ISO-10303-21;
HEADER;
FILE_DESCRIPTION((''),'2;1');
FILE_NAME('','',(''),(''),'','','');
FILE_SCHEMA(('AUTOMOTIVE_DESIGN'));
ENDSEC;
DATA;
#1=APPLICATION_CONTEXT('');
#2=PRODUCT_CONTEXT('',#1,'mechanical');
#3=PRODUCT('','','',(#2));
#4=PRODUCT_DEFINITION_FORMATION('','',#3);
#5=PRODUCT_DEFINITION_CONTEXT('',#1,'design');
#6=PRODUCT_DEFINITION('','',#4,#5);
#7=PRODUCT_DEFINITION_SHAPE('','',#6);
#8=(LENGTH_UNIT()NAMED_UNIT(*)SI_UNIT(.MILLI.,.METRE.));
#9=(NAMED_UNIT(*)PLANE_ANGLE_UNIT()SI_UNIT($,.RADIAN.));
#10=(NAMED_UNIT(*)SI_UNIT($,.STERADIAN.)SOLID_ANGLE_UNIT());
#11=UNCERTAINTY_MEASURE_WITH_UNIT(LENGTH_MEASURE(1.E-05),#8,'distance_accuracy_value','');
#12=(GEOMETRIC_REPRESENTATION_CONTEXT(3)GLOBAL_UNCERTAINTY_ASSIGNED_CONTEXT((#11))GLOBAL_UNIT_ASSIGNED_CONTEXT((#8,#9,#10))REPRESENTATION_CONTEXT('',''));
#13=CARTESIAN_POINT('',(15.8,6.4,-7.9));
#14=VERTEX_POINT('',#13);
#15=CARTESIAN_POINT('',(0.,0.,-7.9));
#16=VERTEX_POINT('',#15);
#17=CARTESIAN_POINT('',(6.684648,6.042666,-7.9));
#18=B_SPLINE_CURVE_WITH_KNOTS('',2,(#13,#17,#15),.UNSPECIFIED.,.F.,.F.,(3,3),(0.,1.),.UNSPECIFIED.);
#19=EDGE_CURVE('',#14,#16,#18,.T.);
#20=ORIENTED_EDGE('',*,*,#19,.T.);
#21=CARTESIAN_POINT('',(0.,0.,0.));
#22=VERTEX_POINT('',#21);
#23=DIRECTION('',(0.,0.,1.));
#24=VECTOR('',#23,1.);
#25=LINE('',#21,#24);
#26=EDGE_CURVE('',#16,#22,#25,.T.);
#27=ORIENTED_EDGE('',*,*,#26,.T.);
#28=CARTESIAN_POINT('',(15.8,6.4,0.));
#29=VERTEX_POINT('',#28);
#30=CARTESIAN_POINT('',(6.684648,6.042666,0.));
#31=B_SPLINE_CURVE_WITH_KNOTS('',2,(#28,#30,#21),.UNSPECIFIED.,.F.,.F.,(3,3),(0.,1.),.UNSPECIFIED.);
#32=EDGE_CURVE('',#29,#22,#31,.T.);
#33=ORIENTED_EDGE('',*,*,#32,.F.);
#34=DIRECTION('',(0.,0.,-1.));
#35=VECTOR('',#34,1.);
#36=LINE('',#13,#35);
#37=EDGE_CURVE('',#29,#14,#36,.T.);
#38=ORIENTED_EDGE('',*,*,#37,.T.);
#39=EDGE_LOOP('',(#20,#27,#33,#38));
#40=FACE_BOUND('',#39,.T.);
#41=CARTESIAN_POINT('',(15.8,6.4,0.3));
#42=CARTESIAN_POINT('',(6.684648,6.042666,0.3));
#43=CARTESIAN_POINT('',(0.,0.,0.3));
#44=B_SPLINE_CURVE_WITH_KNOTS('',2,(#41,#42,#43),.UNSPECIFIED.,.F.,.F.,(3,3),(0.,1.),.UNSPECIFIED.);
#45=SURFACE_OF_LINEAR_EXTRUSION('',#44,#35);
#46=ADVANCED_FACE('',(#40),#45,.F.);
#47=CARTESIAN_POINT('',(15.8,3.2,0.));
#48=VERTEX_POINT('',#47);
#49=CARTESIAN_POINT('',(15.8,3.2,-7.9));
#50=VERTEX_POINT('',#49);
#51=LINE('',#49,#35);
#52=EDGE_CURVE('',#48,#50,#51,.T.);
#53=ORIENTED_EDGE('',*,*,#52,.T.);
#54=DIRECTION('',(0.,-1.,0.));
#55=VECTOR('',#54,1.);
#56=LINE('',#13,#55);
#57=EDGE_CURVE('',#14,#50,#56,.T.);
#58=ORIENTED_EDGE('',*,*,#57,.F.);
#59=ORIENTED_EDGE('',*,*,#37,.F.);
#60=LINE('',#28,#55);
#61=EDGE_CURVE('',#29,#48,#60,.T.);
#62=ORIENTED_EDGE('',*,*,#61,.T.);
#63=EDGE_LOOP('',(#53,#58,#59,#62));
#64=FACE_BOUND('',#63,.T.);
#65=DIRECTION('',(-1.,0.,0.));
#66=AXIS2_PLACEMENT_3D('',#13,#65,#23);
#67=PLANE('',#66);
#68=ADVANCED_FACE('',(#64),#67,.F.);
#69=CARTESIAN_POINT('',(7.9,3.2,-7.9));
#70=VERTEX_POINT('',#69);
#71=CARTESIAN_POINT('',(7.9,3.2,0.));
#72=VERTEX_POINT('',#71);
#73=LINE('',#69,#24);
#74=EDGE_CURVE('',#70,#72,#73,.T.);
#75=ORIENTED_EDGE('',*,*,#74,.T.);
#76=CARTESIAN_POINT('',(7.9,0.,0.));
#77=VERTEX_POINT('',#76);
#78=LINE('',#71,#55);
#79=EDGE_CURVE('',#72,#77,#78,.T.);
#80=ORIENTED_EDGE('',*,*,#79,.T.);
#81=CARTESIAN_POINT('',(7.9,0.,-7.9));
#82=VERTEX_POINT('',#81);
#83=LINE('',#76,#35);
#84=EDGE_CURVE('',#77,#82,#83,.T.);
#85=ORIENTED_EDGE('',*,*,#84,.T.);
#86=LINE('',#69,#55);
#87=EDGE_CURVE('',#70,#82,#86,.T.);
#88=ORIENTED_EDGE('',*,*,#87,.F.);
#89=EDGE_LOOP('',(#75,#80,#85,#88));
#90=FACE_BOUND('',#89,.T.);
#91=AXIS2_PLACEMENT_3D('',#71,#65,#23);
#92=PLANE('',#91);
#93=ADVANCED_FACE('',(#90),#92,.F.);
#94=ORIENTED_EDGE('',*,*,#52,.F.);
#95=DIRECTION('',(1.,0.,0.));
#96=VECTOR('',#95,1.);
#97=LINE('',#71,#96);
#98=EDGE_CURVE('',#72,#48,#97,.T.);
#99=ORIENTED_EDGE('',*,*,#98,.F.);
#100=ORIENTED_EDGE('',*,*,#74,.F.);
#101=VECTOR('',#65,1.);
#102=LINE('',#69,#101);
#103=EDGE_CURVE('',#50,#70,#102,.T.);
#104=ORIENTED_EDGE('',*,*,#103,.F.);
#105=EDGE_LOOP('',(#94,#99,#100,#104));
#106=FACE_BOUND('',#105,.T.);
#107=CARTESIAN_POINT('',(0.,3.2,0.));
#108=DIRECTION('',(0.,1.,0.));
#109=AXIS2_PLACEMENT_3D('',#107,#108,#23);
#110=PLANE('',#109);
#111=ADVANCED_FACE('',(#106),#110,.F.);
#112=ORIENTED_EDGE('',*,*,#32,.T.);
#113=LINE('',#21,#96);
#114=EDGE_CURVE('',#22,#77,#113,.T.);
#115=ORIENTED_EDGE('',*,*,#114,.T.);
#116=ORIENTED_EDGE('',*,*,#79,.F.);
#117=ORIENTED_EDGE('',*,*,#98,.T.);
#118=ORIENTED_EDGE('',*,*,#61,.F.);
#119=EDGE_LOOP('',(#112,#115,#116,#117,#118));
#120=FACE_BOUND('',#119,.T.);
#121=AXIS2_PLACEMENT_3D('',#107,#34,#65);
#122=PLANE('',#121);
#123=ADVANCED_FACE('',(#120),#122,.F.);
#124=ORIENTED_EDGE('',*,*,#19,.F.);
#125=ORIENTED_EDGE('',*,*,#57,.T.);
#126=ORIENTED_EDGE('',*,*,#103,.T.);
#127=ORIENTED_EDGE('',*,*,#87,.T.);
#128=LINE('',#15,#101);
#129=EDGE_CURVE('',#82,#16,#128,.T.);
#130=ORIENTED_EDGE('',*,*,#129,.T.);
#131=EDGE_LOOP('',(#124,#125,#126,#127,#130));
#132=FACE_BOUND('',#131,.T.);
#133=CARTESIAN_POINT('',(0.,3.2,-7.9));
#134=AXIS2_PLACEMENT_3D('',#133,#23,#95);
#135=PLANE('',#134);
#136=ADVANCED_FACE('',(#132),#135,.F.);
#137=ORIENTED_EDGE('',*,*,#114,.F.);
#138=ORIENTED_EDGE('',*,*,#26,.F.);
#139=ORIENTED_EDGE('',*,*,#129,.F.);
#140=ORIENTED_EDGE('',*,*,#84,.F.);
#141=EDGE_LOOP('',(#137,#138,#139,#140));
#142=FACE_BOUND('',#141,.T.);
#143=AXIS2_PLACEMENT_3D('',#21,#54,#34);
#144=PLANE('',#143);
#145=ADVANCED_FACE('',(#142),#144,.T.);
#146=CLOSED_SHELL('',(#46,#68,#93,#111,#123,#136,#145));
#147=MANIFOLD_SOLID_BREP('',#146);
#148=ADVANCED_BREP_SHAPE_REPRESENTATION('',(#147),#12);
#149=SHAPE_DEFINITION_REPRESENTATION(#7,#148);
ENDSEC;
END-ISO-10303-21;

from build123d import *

# Parameters (mm, degrees)
SKETCH2_W           = 7.9
SKETCH2_H           = 7.9
BOSS_EXTRUDE1_DEPTH = 3.2
SKETCH3_W           = 7.9
SKETCH3_H           = 7.9
BOSS_EXTRUDE2_DEPTH = 3.2
SKETCH7_W           = 7.9
SKETCH7_H           = 3.2
BOSS_EXTRUDE5_DEPTH = 7.2
CUT_EXTRUDE2_DEPTH  = 8.2


with BuildPart() as part:
    # Sketch2 → Boss-Extrude1 (new body)
    with BuildSketch(Plane(origin=(0, 0, 0), x_dir=(1, 0, 0), z_dir=(0, 1, 0))):
        with Locations((3.95, 3.95)):
            Rectangle(SKETCH2_W, SKETCH2_H)
    extrude(amount=BOSS_EXTRUDE1_DEPTH)



with BuildPart() as body_2:
    # Sketch3 → Boss-Extrude2 (new body)
    with BuildSketch(Plane(origin=(0, 3.2, 0), x_dir=(1, 0, 0), z_dir=(0, 1, 0))):
        with Locations((11.85, 3.95)):
            Rectangle(SKETCH3_W, SKETCH3_H)
    extrude(amount=BOSS_EXTRUDE2_DEPTH)


with BuildPart() as part_1:
    add(part.part)

    add(body_2.part)  # Boss-Extrude5 merges body 2
    # Sketch7 → Boss-Extrude5 (add)
    with BuildSketch(Plane.ZY.offset(-7.9)):
        with Locations((-3.95, 4.8)):
            Rectangle(SKETCH7_W, SKETCH7_H)
    extrude(amount=BOSS_EXTRUDE5_DEPTH)

    # Sketch4 → Cut-Extrude2 (cut)
    with BuildSketch(Plane(origin=(0, 0, -7.9), x_dir=(-1, 0, 0), z_dir=(0, 0, -1))):
        with BuildLine():
            Line((-15.8, 6.4), (0, 6.4))
            Line((0, 6.4), (0, 0))
            add(Edge.make_bspline(
                [(-15.8, 6.4), (-6.684647753, 6.042665729), (0, 0)],
                knots=[0, 0, 0, 1, 1, 1], degree=2))
        make_face()
    extrude(amount=-CUT_EXTRUDE2_DEPTH, mode=Mode.SUBTRACT)


solid = part_1.part
